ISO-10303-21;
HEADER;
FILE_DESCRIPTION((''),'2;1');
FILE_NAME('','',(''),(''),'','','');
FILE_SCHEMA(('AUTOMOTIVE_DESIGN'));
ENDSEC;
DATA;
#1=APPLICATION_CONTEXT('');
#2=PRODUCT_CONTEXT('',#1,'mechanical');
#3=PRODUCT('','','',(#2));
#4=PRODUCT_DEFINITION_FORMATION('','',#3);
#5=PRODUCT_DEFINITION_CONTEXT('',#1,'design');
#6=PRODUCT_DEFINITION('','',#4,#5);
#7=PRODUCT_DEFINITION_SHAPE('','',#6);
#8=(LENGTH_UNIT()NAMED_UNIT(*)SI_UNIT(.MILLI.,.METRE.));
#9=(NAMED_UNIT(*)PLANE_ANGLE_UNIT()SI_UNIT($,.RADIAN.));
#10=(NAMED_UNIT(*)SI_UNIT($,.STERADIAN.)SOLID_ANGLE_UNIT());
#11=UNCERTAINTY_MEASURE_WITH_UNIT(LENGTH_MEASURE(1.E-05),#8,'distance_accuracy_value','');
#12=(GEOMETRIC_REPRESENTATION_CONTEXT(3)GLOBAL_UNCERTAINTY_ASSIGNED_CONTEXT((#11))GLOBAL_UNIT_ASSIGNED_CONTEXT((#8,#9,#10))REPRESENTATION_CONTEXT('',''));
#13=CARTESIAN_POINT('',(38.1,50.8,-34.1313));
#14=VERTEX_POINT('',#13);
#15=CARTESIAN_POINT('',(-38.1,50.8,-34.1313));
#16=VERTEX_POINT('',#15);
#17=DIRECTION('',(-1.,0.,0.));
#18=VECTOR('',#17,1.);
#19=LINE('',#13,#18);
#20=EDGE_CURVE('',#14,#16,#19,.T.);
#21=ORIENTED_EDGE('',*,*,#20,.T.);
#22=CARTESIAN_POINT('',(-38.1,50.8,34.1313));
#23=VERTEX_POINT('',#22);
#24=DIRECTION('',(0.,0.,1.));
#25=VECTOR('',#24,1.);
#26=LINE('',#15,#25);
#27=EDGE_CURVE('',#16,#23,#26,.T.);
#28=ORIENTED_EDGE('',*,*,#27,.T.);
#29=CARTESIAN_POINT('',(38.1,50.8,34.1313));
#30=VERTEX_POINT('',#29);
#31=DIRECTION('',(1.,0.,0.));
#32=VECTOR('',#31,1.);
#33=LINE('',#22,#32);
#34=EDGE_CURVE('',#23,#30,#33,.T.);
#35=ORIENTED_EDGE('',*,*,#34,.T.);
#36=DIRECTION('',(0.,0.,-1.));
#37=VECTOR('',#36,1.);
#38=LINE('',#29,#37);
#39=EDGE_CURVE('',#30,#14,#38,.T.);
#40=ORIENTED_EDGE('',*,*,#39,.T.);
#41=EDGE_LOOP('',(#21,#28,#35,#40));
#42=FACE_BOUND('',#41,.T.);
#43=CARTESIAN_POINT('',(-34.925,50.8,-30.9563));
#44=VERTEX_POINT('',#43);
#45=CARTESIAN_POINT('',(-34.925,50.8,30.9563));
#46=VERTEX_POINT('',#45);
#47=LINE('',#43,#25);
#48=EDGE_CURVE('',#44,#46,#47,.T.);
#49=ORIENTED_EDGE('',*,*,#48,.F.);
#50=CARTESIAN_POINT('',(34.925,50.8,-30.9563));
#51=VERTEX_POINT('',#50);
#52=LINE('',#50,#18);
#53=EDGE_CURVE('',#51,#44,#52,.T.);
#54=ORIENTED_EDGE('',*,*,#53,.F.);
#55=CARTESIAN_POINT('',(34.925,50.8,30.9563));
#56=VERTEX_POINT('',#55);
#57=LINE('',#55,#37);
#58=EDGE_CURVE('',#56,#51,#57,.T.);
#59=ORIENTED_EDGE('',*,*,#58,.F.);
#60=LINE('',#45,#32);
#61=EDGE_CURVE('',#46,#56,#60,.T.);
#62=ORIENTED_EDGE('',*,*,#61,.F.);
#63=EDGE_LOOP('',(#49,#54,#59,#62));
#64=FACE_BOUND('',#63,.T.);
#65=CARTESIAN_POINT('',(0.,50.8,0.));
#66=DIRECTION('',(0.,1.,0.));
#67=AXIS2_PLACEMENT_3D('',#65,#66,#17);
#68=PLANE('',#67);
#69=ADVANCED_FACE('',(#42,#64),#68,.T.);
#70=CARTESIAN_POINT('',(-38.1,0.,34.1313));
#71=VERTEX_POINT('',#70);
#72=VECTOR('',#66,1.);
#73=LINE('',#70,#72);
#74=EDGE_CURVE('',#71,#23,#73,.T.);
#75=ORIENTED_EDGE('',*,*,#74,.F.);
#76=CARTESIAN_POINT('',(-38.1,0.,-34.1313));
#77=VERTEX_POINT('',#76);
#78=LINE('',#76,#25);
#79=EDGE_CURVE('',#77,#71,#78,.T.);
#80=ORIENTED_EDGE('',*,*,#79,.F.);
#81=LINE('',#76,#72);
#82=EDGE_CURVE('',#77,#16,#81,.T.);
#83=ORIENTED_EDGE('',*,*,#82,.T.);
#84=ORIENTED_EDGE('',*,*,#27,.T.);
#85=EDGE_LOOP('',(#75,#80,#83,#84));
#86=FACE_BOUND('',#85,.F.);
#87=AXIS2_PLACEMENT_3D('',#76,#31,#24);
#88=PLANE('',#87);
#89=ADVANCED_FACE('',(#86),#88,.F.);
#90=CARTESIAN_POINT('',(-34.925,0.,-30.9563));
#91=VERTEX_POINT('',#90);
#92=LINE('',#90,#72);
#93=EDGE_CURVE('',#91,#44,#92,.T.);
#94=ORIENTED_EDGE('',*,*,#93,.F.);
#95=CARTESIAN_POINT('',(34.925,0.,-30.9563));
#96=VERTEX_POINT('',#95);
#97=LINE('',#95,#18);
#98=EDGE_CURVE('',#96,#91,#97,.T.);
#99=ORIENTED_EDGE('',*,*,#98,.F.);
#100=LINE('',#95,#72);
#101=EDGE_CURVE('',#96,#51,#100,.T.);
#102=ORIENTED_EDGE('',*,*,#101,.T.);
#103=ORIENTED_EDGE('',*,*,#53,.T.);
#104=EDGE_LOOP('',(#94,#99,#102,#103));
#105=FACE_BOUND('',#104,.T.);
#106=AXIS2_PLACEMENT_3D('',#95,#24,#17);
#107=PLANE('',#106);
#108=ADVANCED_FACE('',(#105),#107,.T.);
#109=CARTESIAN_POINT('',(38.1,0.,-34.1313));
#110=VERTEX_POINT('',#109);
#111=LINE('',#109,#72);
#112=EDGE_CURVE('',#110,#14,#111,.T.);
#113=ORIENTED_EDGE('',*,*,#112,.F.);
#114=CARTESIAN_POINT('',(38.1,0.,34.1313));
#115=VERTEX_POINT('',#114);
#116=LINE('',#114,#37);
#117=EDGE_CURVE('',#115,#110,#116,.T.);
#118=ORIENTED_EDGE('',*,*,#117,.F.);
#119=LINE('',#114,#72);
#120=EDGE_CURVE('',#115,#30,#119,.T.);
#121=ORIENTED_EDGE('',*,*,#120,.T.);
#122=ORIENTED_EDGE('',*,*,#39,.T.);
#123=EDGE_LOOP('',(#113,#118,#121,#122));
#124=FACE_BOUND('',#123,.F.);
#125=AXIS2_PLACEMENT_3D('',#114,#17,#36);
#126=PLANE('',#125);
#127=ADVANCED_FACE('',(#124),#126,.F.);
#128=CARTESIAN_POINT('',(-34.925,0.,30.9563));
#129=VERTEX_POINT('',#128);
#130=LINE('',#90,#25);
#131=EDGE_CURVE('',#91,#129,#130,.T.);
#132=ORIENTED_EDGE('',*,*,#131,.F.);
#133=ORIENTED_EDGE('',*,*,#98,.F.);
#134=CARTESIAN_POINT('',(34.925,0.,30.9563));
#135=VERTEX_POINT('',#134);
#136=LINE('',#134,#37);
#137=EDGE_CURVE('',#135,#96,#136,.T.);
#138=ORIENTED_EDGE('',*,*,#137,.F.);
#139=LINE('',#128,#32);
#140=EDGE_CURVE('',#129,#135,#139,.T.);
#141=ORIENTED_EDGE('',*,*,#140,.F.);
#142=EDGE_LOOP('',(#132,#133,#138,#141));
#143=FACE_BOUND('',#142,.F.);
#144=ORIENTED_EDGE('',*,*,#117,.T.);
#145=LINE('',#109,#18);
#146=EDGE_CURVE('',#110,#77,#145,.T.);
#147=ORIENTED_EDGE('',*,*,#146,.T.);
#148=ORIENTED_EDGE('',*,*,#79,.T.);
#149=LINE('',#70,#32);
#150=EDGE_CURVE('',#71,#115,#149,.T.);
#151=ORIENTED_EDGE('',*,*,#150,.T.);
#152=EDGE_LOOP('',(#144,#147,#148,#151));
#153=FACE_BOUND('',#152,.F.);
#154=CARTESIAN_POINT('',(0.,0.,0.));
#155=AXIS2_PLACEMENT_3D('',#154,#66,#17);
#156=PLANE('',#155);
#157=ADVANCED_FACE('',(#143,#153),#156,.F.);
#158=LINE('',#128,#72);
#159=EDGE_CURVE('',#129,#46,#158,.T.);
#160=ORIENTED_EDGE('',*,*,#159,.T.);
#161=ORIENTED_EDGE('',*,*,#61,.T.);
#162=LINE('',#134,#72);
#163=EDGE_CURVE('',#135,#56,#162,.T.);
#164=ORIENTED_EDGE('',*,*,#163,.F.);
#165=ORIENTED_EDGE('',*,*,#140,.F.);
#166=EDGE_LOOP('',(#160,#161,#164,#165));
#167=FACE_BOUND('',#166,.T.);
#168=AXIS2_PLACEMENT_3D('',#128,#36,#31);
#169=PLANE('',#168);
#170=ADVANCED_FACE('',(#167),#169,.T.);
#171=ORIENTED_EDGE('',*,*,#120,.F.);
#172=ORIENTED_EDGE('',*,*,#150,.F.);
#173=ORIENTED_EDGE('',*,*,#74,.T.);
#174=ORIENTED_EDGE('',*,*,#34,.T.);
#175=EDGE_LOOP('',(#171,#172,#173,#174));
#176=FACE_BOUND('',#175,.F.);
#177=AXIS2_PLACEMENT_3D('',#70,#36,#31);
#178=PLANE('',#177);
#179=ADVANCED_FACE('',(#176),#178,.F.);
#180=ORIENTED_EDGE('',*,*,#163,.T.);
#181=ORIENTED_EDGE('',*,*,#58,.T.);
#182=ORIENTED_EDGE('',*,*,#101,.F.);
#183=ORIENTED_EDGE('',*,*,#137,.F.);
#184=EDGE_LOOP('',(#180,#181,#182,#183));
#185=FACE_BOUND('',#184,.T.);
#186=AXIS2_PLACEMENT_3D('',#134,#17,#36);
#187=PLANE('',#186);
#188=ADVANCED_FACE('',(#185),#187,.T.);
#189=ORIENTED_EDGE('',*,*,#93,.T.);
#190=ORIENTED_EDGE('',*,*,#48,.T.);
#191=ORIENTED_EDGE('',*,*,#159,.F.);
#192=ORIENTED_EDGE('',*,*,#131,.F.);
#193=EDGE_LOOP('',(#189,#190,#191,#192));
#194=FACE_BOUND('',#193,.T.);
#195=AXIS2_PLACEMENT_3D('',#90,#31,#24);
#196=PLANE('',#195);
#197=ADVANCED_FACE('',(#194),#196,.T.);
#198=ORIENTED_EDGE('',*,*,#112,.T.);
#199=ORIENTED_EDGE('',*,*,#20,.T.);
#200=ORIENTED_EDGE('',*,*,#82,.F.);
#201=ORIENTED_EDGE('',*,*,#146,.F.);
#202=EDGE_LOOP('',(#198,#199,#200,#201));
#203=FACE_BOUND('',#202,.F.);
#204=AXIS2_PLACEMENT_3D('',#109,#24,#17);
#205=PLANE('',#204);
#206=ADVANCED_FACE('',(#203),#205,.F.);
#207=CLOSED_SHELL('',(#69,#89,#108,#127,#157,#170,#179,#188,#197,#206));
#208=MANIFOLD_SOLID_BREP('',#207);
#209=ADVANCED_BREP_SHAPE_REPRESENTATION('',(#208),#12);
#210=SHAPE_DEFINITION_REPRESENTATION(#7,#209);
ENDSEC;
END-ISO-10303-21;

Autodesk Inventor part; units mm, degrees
ref_plane "YZ Plane" through (0, 0, 0) normal (1, 0, 0) x (0, 1, 0)
ref_plane "XZ Plane" through (0, 0, 0) normal (0, 1, 0) x (-1, 0, 0)
ref_plane "XY Plane" through (0, 0, 0) normal (0, 0, 1) x (1, 0, 0)
sketch "Sketch1" plane through (0, 0, 0) normal (0, 1, 0) x (-1, 0, 0)
  line L0 (-38.1, 34.1313) -> (-38.1, -34.1313)
  line L1 (-38.1, -34.1313) -> (38.1, -34.1313)
  line L2 (38.1, -34.1313) -> (38.1, 34.1313)
  line L3 (38.1, 34.1313) -> (-38.1, 34.1313)
  line L4 (-38.1, 34.1313) -> (38.1, -34.1313) construction
  line L5 (-38.1, -34.1313) -> (38.1, 34.1313) construction
  line L6 (-34.925, 30.9563) -> (-34.925, -30.9563)
  line L7 (-34.925, -30.9563) -> (34.925, -30.9563)
  line L8 (34.925, -30.9563) -> (34.925, 30.9563)
  line L9 (34.925, 30.9563) -> (-34.925, 30.9563)
  line L10 (-34.925, 30.9563) -> (34.925, -30.9563) construction
  line L11 (-34.925, -30.9563) -> (34.925, 30.9563) construction
  point P0 (0, 0)
  dimension "d0" = 68.2625
  dimension "d1" = 76.2
  dimension "d2" = 3.175
  dimension "d3" = 3.175
extrude "Extrusion1" add sketch "Sketch1" along normal blind 50.8
properties part number "spacer-2_6875x3"
